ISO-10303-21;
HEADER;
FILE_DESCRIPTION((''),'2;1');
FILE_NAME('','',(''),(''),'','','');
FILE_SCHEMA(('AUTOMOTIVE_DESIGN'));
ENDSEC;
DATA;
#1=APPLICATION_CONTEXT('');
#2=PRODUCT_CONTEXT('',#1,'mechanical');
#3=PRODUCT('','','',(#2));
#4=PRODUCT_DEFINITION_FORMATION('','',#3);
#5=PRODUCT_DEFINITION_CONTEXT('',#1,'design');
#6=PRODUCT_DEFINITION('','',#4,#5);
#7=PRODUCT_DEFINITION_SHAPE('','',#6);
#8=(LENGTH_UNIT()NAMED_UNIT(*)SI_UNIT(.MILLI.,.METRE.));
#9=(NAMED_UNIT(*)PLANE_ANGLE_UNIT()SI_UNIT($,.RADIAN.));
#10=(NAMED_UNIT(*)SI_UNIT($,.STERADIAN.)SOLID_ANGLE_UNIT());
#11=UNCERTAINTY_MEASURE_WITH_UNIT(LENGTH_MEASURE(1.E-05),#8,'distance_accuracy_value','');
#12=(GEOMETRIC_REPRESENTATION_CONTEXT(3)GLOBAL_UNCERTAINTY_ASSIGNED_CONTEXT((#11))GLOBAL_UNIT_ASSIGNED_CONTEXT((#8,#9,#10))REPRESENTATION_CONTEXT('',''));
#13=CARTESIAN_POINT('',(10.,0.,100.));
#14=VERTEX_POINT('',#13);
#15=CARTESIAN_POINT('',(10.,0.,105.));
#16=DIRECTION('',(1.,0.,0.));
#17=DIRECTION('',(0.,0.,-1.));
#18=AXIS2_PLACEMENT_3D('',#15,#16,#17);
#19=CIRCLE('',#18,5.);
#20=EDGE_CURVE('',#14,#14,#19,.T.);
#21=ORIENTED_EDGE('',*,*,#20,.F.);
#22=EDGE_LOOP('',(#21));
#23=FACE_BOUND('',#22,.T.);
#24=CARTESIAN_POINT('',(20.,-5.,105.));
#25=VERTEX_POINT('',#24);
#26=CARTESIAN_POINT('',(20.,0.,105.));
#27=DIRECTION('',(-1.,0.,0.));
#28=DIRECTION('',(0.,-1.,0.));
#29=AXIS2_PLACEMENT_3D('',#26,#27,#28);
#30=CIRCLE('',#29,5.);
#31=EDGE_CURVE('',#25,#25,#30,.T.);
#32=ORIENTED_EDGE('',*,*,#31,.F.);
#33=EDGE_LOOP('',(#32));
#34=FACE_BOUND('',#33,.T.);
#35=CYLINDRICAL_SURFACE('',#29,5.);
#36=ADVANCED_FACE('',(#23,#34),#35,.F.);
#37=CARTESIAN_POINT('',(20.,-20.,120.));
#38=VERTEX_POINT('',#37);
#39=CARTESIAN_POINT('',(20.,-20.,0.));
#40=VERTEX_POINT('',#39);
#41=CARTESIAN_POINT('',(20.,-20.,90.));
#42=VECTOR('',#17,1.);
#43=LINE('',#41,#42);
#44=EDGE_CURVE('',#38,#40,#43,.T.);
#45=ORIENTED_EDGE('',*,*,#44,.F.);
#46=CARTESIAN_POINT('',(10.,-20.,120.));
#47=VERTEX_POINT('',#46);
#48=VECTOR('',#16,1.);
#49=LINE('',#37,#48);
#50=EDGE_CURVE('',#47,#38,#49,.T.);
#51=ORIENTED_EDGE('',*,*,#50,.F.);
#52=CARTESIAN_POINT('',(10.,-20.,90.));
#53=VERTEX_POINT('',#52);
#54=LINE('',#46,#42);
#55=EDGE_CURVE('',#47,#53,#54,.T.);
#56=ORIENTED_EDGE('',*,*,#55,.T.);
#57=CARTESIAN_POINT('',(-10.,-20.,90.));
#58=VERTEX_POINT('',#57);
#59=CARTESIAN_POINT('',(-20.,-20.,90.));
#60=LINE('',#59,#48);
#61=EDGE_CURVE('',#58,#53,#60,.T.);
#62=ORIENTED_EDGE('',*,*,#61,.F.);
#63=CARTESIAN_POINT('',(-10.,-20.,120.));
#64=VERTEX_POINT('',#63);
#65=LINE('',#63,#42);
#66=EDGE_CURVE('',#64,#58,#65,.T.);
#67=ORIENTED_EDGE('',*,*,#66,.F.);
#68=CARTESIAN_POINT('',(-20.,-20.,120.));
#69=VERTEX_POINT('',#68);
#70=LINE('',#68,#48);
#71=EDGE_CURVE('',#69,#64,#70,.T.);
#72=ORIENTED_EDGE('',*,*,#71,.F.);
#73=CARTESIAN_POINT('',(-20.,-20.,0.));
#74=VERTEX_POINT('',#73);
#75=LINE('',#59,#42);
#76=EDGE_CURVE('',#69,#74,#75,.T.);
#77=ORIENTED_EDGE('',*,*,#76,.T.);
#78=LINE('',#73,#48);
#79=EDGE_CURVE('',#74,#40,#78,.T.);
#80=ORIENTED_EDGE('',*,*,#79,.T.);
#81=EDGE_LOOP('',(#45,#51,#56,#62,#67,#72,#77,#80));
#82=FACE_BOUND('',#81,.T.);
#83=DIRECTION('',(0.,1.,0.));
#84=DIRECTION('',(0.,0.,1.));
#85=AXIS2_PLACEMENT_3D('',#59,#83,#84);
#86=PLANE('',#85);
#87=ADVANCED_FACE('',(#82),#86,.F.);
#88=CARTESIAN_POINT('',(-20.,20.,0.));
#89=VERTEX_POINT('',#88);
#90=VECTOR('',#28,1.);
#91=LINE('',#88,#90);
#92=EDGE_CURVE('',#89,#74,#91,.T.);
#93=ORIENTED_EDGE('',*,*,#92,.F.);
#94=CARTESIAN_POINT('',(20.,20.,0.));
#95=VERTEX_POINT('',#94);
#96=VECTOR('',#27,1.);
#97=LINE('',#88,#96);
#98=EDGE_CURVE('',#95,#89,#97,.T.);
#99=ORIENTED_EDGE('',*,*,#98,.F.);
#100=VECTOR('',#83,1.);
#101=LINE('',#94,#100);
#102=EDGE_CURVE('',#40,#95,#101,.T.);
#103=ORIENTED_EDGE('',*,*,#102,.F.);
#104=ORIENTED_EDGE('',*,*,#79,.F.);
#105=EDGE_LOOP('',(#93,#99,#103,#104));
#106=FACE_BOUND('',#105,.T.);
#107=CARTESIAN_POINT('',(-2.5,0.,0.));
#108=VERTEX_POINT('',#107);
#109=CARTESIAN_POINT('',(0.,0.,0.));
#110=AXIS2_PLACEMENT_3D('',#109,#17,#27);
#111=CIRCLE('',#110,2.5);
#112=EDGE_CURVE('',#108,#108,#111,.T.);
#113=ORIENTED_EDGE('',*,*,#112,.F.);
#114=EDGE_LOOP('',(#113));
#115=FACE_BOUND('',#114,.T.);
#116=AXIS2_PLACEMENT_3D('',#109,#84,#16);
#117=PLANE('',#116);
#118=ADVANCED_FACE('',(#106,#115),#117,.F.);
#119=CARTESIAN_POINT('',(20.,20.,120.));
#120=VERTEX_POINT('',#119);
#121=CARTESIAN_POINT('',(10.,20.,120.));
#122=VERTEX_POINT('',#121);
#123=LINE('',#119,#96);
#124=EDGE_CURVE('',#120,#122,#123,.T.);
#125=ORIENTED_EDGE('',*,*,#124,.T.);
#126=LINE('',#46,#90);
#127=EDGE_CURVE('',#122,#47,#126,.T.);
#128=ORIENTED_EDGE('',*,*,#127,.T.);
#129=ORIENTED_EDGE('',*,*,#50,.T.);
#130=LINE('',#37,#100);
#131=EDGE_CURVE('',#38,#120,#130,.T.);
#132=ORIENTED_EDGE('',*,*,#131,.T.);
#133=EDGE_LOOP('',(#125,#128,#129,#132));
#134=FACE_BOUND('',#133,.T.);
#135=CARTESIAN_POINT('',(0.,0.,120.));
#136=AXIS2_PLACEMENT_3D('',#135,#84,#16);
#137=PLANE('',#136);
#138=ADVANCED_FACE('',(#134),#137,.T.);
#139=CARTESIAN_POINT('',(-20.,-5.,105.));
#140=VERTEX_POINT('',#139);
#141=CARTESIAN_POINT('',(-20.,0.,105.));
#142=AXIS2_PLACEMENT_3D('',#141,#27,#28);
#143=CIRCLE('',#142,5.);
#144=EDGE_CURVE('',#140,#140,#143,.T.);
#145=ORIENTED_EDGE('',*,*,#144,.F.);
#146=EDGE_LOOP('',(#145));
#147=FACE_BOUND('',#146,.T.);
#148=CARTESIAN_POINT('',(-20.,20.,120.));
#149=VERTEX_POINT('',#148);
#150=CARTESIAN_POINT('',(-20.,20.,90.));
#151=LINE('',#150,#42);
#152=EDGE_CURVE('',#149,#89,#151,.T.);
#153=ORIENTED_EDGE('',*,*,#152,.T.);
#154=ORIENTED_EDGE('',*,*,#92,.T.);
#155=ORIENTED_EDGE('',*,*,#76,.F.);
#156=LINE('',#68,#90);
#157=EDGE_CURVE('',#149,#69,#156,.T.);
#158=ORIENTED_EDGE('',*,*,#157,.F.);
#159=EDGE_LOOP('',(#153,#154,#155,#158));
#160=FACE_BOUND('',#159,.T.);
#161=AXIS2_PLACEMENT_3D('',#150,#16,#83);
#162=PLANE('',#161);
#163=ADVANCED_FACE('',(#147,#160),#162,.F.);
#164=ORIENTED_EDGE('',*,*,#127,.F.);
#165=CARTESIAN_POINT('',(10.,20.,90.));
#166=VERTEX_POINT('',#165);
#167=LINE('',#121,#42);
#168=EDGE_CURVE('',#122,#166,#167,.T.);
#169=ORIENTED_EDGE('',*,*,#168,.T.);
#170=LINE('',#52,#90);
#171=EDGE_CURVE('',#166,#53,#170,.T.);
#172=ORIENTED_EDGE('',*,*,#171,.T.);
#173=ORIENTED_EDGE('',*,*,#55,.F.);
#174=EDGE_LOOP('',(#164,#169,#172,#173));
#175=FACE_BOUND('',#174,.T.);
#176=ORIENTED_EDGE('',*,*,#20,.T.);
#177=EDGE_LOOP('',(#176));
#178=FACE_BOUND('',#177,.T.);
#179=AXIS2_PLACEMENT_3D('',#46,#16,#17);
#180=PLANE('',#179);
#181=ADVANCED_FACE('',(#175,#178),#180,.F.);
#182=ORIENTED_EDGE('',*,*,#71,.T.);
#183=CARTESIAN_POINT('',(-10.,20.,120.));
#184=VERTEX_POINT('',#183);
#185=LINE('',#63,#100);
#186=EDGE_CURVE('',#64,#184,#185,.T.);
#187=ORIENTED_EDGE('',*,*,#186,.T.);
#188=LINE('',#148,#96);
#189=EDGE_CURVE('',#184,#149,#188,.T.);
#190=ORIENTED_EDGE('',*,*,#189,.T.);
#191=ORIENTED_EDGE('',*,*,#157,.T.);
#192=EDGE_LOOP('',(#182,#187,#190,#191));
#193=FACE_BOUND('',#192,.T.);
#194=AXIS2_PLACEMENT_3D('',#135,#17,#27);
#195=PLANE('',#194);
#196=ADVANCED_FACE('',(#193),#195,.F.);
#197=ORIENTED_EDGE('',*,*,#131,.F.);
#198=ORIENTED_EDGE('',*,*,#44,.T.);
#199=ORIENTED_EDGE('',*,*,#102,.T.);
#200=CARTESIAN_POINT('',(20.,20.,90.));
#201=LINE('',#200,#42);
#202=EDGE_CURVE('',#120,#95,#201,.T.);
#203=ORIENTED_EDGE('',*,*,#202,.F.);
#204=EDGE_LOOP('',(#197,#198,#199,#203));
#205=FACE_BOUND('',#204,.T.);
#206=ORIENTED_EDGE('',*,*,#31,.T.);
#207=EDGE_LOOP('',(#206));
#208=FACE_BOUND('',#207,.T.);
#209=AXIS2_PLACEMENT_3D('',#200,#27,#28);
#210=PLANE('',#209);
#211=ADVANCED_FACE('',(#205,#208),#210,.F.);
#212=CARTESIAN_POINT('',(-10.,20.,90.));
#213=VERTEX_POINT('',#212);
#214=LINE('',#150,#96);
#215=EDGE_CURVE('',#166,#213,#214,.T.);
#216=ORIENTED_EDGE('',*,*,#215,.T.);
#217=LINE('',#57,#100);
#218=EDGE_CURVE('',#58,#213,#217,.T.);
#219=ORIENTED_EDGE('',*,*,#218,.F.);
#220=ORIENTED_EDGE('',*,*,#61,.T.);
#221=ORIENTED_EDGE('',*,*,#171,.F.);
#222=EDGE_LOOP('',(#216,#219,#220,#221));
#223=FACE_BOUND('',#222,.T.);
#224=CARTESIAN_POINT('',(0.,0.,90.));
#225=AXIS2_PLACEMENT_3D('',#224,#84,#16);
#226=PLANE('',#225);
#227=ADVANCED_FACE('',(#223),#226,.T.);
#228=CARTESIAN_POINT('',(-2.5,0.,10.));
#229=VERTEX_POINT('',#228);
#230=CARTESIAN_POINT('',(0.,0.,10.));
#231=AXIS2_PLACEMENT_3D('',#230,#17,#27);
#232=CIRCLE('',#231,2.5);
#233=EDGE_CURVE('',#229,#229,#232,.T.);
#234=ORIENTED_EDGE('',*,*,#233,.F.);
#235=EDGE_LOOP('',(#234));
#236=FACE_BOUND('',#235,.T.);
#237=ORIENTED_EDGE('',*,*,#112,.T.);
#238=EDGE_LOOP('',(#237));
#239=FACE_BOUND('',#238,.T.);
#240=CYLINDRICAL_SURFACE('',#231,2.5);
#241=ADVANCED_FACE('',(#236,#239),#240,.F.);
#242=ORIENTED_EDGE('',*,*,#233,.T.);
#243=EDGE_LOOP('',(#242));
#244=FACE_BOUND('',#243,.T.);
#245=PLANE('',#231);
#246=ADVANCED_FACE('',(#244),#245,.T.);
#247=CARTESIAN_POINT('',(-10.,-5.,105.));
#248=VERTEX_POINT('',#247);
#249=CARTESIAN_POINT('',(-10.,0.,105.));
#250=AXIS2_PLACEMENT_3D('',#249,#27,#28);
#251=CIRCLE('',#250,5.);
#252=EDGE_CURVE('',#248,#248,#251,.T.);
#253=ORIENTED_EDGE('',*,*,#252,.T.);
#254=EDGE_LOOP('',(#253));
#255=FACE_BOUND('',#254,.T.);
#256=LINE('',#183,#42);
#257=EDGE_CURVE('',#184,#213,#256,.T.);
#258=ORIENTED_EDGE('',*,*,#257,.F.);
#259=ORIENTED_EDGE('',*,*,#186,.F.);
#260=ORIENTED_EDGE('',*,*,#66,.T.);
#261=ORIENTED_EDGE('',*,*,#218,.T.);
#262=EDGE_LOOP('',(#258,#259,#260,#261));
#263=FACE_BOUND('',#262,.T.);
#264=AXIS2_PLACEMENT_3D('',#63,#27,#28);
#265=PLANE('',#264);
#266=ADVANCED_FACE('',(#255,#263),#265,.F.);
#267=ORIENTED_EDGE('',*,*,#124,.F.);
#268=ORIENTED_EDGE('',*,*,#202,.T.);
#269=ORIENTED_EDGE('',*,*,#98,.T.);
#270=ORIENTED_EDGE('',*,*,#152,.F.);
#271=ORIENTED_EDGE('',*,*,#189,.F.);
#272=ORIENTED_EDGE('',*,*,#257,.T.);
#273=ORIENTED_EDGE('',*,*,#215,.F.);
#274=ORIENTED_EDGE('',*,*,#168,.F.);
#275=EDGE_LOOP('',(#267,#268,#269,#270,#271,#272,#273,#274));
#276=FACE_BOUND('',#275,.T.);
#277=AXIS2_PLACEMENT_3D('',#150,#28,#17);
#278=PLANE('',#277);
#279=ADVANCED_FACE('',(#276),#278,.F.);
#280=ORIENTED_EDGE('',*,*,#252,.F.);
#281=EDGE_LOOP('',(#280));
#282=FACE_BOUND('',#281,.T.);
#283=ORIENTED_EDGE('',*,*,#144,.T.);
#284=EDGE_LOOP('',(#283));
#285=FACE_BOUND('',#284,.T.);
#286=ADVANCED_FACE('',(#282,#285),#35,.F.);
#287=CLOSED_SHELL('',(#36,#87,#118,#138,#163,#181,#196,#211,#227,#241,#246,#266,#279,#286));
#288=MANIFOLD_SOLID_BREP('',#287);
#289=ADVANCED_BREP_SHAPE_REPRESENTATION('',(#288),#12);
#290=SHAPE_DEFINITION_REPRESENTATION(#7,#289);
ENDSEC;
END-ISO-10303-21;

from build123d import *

# Parameters (mm, degrees)
SKICA1_W                 = 40
SKICA1_H                 = 40
P_IDAT_VYSUNUT_M1_DEPTH  = 90
SKICA3_W                 = 10
SKICA3_H                 = 40
P_IDAT_VYSUNUT_M2_DEPTH  = 30
SKICA4_R                 = 5
ODEBRAT_VYSUNUT_M1_DEPTH = 40
SKICA5_R                 = 2.5
ODEBRAT_VYSUNUT_M2_DEPTH = 10


with BuildPart() as part:
    # Skica1 → Přidat vysunutím1 (new body)
    with BuildSketch(Plane.XY):
        Rectangle(SKICA1_W, SKICA1_H)
    extrude(amount=P_IDAT_VYSUNUT_M1_DEPTH)

    # Skica3 → Přidat vysunutím2 (add)
    with BuildSketch(Plane.XY.offset(90)):
        with Locations((15, 0)):
            Rectangle(SKICA3_W, SKICA3_H)
        with Locations((-15, 0)):
            Rectangle(SKICA3_W, SKICA3_H)
    extrude(amount=P_IDAT_VYSUNUT_M2_DEPTH)

    # Skica4 → Odebrat vysunutím1 (cut)
    with BuildSketch(Plane.ZY.offset(20)):
        with Locations(Location((105, 0, 0), (0, 0, 270))):
            Circle(SKICA4_R)
    extrude(amount=-ODEBRAT_VYSUNUT_M1_DEPTH, mode=Mode.SUBTRACT)

    # Skica5 → Odebrat vysunutím2 (cut)
    with BuildSketch(Plane(origin=(0, 0, 0), x_dir=(-1, 0, 0), z_dir=(0, 0, -1))):
        Circle(SKICA5_R)
    extrude(amount=-ODEBRAT_VYSUNUT_M2_DEPTH, mode=Mode.SUBTRACT)


solid = part.part
